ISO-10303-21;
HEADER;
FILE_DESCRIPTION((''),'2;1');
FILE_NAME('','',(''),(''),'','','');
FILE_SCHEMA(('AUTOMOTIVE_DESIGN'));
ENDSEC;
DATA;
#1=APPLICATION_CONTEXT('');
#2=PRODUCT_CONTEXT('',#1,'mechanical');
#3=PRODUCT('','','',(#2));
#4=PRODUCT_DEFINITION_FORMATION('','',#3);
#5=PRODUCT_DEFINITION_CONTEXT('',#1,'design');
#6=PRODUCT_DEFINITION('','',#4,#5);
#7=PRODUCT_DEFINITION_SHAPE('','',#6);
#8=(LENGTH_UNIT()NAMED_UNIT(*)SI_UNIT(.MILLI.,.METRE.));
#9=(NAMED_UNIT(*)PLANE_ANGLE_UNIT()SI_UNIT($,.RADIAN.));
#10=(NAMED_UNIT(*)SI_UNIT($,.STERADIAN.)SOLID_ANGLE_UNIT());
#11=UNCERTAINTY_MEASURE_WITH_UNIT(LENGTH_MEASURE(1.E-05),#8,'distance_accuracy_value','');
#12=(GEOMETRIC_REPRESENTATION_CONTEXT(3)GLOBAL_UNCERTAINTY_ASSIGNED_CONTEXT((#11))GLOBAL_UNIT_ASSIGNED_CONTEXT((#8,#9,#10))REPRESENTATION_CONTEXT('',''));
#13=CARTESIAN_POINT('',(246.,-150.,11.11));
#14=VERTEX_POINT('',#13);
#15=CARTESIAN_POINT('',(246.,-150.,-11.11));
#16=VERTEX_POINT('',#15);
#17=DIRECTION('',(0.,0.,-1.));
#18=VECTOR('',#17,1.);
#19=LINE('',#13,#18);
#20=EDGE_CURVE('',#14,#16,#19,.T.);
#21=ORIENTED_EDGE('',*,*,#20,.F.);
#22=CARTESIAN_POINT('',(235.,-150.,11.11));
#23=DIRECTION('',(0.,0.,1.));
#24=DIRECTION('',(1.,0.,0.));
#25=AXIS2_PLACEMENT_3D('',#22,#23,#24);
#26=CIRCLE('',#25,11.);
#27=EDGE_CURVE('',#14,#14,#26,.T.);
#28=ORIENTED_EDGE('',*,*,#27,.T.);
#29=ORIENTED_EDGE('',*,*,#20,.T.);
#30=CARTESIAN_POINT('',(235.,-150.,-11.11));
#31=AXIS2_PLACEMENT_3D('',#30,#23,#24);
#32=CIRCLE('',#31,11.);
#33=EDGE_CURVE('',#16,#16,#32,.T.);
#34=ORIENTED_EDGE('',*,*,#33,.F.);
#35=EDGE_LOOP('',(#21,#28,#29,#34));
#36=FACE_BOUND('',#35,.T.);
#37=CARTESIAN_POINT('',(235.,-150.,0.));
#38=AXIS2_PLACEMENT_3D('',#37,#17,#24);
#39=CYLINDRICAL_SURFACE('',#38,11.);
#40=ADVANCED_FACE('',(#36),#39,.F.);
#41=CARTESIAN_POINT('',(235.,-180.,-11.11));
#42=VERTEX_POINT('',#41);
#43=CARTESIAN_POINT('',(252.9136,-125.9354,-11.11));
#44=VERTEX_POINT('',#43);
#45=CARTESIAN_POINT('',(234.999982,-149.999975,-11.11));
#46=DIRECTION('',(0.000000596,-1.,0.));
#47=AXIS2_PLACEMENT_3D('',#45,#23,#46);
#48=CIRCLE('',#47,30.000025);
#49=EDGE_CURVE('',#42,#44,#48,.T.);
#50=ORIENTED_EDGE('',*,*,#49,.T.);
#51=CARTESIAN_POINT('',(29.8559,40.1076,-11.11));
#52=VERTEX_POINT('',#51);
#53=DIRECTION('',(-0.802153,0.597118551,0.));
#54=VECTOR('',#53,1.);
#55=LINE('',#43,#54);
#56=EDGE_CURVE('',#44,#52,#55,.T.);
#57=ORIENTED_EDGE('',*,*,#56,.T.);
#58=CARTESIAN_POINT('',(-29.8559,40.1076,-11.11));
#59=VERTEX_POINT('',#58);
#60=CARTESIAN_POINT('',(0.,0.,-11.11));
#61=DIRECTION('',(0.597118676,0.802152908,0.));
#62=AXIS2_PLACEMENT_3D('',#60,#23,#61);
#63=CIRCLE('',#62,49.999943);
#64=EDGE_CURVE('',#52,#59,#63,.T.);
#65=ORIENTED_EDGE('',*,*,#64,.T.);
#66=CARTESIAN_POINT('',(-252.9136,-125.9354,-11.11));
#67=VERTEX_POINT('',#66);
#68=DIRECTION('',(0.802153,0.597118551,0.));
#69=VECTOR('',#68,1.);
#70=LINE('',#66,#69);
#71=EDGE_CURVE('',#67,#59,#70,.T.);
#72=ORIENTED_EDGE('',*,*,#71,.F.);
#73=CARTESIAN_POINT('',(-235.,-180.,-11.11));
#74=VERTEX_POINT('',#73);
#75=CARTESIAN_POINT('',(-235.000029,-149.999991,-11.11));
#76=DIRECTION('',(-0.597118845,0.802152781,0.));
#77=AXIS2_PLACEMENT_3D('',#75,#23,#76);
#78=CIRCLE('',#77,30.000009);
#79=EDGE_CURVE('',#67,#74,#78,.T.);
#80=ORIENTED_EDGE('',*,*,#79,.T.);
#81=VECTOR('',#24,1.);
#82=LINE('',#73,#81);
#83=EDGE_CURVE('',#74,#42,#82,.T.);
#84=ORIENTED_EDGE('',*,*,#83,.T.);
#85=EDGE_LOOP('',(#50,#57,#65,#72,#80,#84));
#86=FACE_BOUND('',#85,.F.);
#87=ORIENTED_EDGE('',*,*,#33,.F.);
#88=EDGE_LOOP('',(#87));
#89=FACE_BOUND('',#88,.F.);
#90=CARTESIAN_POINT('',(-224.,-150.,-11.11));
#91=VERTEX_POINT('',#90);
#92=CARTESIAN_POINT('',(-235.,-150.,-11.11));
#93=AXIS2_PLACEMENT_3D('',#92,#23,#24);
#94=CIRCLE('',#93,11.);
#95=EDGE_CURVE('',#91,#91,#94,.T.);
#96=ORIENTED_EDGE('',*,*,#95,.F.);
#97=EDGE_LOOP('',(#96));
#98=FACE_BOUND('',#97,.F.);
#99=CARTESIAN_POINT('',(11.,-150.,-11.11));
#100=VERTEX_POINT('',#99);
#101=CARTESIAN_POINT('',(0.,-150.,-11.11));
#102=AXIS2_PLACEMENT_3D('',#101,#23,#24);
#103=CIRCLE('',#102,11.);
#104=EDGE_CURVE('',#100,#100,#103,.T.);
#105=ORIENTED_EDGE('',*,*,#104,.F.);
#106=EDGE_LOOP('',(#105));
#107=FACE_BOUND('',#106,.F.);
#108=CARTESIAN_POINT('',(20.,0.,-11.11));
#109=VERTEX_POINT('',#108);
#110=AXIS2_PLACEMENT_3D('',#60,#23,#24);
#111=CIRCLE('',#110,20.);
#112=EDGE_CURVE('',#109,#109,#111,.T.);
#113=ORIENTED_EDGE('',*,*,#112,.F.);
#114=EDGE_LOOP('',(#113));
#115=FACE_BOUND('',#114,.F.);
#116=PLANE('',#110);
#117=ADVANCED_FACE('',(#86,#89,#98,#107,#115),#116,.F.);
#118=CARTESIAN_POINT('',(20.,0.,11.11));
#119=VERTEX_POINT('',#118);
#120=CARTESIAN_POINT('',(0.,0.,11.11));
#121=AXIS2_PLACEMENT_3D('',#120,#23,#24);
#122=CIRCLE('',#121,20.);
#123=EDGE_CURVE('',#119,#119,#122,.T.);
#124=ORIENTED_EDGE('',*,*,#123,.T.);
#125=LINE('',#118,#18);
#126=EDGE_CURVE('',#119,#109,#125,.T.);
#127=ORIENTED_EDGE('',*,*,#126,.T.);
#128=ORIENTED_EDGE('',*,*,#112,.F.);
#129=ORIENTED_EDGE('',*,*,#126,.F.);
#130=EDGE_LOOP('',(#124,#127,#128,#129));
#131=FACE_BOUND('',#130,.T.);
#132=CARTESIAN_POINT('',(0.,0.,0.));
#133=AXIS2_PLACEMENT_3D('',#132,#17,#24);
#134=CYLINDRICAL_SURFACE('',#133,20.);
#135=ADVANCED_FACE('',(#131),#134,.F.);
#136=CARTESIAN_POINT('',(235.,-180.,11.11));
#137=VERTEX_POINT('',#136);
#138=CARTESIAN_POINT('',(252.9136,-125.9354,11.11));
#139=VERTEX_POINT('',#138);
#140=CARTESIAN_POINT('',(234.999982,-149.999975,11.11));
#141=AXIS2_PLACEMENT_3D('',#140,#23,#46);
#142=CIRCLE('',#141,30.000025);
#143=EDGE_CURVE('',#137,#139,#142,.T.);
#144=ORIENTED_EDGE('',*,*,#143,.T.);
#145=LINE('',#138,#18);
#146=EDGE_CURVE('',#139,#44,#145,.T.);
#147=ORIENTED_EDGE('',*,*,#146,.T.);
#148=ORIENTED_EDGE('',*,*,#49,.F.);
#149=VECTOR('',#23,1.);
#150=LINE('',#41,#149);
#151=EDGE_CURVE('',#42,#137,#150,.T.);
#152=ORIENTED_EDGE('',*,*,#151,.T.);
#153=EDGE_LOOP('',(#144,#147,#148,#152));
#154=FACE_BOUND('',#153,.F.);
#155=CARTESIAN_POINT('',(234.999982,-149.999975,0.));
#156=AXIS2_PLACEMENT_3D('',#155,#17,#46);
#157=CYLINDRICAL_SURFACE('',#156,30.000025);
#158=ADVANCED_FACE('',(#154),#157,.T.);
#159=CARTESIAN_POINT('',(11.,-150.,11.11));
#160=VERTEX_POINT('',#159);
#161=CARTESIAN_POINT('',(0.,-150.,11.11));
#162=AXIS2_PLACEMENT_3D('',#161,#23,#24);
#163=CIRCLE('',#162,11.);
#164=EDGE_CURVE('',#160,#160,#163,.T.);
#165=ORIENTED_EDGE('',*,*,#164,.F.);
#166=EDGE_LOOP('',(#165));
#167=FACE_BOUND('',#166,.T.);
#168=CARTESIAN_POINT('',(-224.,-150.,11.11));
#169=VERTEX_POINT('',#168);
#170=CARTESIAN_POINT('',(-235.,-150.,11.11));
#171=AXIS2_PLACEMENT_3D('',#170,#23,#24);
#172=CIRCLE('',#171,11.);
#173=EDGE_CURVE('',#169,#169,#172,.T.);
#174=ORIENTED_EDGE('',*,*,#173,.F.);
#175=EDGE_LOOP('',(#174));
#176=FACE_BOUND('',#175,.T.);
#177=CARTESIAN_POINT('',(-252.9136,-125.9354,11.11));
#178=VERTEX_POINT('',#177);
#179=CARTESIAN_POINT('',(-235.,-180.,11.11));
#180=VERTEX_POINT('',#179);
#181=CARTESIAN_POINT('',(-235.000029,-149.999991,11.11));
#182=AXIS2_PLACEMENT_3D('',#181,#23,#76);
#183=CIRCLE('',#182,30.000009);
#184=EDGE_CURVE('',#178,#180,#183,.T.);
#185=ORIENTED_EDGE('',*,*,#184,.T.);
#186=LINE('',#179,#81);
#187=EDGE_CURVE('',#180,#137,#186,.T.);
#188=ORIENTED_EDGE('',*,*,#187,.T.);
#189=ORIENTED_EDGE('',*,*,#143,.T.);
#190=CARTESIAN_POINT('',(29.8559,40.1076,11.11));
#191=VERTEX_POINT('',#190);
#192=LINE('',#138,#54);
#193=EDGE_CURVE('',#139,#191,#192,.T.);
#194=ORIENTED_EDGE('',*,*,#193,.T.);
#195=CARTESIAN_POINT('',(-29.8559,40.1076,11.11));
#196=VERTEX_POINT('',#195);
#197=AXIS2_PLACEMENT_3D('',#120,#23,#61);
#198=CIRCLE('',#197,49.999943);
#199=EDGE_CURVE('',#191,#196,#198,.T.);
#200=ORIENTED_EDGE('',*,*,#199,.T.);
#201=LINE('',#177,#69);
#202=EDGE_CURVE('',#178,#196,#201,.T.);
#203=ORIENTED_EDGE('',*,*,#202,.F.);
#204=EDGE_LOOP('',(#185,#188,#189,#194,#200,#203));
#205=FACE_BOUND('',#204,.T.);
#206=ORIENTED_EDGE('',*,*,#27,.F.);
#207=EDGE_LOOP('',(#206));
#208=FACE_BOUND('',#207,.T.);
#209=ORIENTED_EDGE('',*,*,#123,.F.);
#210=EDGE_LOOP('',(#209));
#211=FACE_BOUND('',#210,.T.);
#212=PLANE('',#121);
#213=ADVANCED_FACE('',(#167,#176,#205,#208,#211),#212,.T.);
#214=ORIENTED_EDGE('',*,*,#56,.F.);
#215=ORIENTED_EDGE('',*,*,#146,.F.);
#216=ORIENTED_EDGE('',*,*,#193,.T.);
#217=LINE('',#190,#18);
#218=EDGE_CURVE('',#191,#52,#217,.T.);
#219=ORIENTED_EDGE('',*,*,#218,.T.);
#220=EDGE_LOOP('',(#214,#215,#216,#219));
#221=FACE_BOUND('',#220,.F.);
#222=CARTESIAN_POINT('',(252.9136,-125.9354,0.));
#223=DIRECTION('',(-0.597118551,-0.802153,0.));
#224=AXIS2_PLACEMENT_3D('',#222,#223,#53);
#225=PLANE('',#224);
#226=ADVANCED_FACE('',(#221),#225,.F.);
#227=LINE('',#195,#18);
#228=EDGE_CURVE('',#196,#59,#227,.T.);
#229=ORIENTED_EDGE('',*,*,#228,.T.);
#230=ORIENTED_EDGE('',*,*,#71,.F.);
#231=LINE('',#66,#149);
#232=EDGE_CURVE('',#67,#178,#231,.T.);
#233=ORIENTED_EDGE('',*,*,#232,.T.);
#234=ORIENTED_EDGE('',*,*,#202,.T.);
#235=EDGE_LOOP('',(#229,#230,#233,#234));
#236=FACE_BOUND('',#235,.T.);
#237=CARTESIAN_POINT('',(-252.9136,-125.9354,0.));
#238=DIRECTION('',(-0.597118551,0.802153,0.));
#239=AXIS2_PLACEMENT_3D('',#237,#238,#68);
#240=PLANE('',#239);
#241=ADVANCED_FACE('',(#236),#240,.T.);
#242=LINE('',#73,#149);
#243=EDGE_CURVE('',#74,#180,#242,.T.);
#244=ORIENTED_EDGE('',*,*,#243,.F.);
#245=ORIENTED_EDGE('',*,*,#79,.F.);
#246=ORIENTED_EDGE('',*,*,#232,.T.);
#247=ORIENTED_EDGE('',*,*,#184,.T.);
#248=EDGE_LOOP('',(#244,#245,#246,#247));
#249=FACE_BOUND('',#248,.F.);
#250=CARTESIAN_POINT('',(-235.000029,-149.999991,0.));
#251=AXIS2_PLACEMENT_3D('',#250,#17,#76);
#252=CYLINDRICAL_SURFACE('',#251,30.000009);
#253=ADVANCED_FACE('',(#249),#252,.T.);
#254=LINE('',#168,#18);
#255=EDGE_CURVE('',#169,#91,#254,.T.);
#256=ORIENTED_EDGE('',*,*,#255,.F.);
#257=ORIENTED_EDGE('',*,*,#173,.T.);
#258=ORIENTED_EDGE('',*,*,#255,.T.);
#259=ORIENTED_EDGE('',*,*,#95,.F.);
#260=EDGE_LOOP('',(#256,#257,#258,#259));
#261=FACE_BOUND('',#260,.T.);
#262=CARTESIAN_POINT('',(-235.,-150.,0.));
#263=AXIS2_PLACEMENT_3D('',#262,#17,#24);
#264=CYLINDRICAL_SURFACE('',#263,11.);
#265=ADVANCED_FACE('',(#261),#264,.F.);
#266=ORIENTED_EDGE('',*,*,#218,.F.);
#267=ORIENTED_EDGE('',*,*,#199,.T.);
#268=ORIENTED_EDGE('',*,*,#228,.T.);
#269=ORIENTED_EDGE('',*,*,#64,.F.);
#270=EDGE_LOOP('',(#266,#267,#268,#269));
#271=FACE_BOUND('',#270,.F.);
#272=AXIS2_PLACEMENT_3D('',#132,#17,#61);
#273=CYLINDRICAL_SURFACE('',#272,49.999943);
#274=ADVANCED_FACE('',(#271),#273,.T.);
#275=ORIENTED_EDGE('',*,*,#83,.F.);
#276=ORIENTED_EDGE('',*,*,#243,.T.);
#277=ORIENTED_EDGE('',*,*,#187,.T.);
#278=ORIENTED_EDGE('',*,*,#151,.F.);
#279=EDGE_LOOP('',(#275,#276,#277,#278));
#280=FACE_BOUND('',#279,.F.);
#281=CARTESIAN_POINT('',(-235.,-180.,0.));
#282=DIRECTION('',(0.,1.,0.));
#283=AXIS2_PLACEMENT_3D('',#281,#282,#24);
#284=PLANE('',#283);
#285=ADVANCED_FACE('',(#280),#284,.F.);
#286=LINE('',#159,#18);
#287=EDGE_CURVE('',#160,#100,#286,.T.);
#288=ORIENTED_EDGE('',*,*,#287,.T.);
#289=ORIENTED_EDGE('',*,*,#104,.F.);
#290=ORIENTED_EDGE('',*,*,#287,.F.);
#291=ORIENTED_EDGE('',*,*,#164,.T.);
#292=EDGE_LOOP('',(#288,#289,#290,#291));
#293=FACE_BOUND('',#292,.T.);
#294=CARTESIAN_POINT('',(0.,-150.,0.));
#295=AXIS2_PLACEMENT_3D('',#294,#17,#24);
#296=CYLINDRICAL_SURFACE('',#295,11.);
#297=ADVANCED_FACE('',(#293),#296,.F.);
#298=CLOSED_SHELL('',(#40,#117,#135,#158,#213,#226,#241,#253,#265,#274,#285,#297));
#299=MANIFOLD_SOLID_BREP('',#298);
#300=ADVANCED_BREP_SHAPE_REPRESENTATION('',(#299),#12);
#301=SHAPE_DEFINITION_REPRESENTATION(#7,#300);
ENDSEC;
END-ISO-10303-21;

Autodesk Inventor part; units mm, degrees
ref_plane "YZ Plane" through (0, 0, 0) normal (1, 0, 0) x (0, 1, 0)
ref_plane "XZ Plane" through (0, 0, 0) normal (0, 1, 0) x (-1, 0, 0)
ref_plane "XY Plane" through (0, 0, 0) normal (0, 0, 1) x (1, 0, 0)
sketch "Sketch1" plane through (0, 0, 0) normal (0, 0, 1) x (1, 0, 0)
  circle A0 centre (0, 0) radius 20
  circle A1 centre (-235, -150) radius 11
  circle A2 centre (0, -150) radius 11
  arc A3 (-252.9136, -125.9354) -> (-235, -180) centre (-235, -150) ccw
  line L0 (0, 87.1559) -> (0, -290.9336) construction
  circle A4 centre (235, -150) radius 11
  arc A5 (235, -180) -> (252.9136, -125.9354) centre (235, -150) ccw
  line L1 (-235, -180) -> (235, -180)
  arc A6 (29.8559, 40.1076) -> (-29.8559, 40.1076) centre (0, 0) ccw
  line L2 (-252.9136, -125.9354) -> (-29.8559, 40.1076)
  line L3 (252.9136, -125.9354) -> (29.8559, 40.1076)
  point P0 (0, -180)
  point P1 (0, 46.2314)
  dimension "d0" = 40
  dimension "d1" = 22
  dimension "d3" = 22
  dimension "d4" = 150
  dimension "d8" = 235
  dimension "d16" = 470
  dimension "d17" = 30
  dimension "d18" = 100
extrude "Extrusion1" add sketch "Sketch1" along normal mid plane 22.22
equation "\"d1\" = d3"
properties part number "Corpo_Suporte_3_Cabos_Modelo1"
